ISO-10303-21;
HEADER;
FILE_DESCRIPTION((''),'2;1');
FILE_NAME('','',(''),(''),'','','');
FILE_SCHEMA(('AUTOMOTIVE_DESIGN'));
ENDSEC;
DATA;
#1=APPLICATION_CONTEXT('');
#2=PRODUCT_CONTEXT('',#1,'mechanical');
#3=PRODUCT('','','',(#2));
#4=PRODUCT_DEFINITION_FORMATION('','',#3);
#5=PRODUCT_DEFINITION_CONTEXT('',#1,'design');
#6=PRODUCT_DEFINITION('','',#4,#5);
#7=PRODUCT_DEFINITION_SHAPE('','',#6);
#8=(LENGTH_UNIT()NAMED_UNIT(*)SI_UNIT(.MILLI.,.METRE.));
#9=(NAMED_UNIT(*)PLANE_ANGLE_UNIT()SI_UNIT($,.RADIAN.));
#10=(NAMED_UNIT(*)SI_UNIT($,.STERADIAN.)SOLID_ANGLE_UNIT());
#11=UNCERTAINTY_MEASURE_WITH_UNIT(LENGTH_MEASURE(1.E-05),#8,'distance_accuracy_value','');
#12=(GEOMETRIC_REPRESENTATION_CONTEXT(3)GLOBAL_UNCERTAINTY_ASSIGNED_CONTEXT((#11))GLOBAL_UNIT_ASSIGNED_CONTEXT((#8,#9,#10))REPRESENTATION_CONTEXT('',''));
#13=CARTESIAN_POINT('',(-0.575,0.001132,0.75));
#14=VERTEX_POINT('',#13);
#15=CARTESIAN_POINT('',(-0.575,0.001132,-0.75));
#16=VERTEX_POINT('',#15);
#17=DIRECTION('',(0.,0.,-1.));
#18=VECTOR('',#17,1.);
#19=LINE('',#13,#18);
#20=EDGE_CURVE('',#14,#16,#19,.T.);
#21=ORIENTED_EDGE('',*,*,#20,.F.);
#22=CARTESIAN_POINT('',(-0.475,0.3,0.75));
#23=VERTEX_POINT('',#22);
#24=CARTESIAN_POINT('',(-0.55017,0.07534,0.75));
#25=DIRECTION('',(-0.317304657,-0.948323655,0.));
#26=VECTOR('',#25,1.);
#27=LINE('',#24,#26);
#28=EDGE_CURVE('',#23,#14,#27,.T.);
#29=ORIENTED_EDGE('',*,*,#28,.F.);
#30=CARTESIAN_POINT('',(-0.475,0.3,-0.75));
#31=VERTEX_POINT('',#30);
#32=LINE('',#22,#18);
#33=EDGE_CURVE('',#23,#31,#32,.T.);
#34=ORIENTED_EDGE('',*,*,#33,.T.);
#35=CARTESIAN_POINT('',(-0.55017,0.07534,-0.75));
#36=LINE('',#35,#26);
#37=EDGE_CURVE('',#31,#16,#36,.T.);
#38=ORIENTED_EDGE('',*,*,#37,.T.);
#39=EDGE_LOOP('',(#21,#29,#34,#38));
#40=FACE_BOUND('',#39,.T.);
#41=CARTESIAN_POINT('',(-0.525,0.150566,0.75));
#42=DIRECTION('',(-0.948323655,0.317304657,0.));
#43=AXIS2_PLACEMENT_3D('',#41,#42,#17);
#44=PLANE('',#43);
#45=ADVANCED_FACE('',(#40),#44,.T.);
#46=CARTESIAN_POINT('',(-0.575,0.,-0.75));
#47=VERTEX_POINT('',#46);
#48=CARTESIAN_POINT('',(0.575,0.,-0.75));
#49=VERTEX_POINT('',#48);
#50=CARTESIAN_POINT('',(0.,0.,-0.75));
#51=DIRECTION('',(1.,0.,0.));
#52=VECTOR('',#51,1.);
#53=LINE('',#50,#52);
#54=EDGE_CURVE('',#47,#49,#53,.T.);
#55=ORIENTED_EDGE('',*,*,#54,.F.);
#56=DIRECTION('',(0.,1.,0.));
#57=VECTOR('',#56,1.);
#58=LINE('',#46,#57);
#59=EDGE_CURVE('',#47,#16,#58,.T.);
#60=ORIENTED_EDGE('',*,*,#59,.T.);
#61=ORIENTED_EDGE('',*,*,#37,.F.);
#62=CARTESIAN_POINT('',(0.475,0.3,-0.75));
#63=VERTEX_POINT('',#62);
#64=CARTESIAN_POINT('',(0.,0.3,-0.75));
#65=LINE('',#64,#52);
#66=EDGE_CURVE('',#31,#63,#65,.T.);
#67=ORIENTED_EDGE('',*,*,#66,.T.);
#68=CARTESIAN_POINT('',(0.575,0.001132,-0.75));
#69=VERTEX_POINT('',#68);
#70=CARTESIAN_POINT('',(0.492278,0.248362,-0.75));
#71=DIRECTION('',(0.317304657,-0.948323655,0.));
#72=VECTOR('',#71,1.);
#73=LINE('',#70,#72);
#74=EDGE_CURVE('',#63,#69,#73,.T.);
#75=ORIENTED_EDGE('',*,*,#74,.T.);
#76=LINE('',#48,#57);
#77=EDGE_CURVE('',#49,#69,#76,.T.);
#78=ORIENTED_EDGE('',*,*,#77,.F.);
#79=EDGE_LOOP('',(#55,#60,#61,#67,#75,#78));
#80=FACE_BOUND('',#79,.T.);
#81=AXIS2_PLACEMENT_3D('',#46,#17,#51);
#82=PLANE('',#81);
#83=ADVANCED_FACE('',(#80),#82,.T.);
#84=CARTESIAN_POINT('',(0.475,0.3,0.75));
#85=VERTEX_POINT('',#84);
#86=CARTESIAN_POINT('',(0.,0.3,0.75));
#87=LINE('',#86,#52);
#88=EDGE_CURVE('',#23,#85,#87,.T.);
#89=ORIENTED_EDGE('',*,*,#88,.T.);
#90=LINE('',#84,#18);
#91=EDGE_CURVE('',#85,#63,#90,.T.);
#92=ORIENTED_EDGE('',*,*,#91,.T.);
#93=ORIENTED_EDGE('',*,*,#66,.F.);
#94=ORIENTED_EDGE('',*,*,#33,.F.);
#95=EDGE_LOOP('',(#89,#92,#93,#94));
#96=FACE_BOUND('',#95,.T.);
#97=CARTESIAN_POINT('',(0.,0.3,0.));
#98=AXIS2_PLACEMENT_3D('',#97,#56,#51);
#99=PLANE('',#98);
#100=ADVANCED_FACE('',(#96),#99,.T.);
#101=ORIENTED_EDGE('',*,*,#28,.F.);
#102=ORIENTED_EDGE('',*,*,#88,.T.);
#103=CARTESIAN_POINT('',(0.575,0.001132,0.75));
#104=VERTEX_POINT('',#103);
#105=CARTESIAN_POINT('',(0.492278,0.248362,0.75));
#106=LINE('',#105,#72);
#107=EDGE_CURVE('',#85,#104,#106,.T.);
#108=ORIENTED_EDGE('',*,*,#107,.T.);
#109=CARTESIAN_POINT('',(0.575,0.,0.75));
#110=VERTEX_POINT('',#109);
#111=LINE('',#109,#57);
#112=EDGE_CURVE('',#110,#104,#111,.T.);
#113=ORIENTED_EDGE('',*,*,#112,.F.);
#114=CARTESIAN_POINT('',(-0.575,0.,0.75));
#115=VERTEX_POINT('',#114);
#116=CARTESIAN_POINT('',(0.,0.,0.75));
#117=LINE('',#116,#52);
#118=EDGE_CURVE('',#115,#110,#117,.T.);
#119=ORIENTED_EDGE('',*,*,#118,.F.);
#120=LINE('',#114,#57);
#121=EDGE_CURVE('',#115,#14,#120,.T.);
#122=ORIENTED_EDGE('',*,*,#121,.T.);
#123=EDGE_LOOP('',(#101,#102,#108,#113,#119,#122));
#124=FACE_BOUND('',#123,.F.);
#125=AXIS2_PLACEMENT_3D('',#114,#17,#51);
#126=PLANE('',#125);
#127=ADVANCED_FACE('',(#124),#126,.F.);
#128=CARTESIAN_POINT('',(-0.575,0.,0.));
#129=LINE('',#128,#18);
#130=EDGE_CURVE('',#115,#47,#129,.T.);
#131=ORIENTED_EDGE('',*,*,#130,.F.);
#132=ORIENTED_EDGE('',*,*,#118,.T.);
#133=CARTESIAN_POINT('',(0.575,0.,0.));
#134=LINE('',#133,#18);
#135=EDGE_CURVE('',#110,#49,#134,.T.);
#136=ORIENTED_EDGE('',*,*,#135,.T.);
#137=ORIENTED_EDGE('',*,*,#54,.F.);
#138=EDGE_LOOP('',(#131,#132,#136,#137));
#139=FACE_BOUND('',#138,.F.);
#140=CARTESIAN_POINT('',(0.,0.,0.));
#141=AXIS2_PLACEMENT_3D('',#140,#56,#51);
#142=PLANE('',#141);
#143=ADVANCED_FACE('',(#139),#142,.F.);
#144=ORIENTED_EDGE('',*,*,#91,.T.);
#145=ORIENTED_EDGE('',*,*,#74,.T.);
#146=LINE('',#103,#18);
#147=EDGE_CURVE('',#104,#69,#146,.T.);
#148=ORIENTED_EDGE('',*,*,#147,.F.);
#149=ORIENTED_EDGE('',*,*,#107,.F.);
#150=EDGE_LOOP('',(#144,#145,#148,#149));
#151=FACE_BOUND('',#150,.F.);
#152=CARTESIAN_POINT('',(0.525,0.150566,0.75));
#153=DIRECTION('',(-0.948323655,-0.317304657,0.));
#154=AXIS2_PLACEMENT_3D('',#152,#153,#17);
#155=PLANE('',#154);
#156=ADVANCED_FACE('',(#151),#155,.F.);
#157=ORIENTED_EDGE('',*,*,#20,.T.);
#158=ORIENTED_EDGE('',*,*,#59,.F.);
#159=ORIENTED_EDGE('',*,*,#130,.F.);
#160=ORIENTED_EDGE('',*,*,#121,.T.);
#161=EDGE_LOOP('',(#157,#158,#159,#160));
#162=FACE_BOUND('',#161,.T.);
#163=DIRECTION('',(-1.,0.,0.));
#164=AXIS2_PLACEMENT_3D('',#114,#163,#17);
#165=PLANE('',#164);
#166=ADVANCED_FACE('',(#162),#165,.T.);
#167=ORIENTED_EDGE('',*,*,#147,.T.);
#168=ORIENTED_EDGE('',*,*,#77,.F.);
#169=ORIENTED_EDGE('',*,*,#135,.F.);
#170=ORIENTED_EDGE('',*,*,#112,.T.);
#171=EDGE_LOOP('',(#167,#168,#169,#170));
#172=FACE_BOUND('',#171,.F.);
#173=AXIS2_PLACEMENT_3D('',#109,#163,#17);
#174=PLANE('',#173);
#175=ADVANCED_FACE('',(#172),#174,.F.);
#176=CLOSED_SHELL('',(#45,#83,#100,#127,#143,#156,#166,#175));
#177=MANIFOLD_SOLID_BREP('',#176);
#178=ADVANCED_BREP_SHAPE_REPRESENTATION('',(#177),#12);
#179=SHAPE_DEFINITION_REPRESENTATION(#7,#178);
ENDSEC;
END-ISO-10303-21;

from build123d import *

# Parameters (mm, degrees)
SKETCH_1_W      = 1.15
SKETCH_1_H      = 1.5
EXTRUDE_1_DEPTH = 0.3
CHAMFER_1_SIZE  = 0.1
CHAMFER_1_SIZE2 = 0.298868496
CHAMFER_2_SIZE  = 0.1
CHAMFER_2_SIZE2 = 0.298868496


with BuildPart() as part:
    # 草图1 → 凸台-拉伸1 (new body)
    with BuildSketch(Plane(origin=(0, 0, 0), x_dir=(1, 0, 0), z_dir=(0, 1, 0))):
        Rectangle(SKETCH_1_W, SKETCH_1_H)
    extrude(amount=EXTRUDE_1_DEPTH)

    # 倒角1
    chamfer_1_edges = [part.edges().sort_by_distance(p)[0] for p in [
        (-0.575, 0.3, 0),
    ]]
    chamfer_1_side = [part.faces().sort_by_distance(p)[0] for p in [
        (0, 0.3, 0),
    ]]
    chamfer(chamfer_1_edges, length=CHAMFER_1_SIZE, length2=CHAMFER_1_SIZE2, reference=chamfer_1_side[0])

    # 倒角2
    chamfer_2_edges = [part.edges().sort_by_distance(p)[0] for p in [
        (0.575, 0.3, 0),
    ]]
    chamfer_2_side = [part.faces().sort_by_distance(p)[0] for p in [
        (0.05, 0.3, 0),
    ]]
    chamfer(chamfer_2_edges, length=CHAMFER_2_SIZE, length2=CHAMFER_2_SIZE2, reference=chamfer_2_side[0])


solid = part.part
